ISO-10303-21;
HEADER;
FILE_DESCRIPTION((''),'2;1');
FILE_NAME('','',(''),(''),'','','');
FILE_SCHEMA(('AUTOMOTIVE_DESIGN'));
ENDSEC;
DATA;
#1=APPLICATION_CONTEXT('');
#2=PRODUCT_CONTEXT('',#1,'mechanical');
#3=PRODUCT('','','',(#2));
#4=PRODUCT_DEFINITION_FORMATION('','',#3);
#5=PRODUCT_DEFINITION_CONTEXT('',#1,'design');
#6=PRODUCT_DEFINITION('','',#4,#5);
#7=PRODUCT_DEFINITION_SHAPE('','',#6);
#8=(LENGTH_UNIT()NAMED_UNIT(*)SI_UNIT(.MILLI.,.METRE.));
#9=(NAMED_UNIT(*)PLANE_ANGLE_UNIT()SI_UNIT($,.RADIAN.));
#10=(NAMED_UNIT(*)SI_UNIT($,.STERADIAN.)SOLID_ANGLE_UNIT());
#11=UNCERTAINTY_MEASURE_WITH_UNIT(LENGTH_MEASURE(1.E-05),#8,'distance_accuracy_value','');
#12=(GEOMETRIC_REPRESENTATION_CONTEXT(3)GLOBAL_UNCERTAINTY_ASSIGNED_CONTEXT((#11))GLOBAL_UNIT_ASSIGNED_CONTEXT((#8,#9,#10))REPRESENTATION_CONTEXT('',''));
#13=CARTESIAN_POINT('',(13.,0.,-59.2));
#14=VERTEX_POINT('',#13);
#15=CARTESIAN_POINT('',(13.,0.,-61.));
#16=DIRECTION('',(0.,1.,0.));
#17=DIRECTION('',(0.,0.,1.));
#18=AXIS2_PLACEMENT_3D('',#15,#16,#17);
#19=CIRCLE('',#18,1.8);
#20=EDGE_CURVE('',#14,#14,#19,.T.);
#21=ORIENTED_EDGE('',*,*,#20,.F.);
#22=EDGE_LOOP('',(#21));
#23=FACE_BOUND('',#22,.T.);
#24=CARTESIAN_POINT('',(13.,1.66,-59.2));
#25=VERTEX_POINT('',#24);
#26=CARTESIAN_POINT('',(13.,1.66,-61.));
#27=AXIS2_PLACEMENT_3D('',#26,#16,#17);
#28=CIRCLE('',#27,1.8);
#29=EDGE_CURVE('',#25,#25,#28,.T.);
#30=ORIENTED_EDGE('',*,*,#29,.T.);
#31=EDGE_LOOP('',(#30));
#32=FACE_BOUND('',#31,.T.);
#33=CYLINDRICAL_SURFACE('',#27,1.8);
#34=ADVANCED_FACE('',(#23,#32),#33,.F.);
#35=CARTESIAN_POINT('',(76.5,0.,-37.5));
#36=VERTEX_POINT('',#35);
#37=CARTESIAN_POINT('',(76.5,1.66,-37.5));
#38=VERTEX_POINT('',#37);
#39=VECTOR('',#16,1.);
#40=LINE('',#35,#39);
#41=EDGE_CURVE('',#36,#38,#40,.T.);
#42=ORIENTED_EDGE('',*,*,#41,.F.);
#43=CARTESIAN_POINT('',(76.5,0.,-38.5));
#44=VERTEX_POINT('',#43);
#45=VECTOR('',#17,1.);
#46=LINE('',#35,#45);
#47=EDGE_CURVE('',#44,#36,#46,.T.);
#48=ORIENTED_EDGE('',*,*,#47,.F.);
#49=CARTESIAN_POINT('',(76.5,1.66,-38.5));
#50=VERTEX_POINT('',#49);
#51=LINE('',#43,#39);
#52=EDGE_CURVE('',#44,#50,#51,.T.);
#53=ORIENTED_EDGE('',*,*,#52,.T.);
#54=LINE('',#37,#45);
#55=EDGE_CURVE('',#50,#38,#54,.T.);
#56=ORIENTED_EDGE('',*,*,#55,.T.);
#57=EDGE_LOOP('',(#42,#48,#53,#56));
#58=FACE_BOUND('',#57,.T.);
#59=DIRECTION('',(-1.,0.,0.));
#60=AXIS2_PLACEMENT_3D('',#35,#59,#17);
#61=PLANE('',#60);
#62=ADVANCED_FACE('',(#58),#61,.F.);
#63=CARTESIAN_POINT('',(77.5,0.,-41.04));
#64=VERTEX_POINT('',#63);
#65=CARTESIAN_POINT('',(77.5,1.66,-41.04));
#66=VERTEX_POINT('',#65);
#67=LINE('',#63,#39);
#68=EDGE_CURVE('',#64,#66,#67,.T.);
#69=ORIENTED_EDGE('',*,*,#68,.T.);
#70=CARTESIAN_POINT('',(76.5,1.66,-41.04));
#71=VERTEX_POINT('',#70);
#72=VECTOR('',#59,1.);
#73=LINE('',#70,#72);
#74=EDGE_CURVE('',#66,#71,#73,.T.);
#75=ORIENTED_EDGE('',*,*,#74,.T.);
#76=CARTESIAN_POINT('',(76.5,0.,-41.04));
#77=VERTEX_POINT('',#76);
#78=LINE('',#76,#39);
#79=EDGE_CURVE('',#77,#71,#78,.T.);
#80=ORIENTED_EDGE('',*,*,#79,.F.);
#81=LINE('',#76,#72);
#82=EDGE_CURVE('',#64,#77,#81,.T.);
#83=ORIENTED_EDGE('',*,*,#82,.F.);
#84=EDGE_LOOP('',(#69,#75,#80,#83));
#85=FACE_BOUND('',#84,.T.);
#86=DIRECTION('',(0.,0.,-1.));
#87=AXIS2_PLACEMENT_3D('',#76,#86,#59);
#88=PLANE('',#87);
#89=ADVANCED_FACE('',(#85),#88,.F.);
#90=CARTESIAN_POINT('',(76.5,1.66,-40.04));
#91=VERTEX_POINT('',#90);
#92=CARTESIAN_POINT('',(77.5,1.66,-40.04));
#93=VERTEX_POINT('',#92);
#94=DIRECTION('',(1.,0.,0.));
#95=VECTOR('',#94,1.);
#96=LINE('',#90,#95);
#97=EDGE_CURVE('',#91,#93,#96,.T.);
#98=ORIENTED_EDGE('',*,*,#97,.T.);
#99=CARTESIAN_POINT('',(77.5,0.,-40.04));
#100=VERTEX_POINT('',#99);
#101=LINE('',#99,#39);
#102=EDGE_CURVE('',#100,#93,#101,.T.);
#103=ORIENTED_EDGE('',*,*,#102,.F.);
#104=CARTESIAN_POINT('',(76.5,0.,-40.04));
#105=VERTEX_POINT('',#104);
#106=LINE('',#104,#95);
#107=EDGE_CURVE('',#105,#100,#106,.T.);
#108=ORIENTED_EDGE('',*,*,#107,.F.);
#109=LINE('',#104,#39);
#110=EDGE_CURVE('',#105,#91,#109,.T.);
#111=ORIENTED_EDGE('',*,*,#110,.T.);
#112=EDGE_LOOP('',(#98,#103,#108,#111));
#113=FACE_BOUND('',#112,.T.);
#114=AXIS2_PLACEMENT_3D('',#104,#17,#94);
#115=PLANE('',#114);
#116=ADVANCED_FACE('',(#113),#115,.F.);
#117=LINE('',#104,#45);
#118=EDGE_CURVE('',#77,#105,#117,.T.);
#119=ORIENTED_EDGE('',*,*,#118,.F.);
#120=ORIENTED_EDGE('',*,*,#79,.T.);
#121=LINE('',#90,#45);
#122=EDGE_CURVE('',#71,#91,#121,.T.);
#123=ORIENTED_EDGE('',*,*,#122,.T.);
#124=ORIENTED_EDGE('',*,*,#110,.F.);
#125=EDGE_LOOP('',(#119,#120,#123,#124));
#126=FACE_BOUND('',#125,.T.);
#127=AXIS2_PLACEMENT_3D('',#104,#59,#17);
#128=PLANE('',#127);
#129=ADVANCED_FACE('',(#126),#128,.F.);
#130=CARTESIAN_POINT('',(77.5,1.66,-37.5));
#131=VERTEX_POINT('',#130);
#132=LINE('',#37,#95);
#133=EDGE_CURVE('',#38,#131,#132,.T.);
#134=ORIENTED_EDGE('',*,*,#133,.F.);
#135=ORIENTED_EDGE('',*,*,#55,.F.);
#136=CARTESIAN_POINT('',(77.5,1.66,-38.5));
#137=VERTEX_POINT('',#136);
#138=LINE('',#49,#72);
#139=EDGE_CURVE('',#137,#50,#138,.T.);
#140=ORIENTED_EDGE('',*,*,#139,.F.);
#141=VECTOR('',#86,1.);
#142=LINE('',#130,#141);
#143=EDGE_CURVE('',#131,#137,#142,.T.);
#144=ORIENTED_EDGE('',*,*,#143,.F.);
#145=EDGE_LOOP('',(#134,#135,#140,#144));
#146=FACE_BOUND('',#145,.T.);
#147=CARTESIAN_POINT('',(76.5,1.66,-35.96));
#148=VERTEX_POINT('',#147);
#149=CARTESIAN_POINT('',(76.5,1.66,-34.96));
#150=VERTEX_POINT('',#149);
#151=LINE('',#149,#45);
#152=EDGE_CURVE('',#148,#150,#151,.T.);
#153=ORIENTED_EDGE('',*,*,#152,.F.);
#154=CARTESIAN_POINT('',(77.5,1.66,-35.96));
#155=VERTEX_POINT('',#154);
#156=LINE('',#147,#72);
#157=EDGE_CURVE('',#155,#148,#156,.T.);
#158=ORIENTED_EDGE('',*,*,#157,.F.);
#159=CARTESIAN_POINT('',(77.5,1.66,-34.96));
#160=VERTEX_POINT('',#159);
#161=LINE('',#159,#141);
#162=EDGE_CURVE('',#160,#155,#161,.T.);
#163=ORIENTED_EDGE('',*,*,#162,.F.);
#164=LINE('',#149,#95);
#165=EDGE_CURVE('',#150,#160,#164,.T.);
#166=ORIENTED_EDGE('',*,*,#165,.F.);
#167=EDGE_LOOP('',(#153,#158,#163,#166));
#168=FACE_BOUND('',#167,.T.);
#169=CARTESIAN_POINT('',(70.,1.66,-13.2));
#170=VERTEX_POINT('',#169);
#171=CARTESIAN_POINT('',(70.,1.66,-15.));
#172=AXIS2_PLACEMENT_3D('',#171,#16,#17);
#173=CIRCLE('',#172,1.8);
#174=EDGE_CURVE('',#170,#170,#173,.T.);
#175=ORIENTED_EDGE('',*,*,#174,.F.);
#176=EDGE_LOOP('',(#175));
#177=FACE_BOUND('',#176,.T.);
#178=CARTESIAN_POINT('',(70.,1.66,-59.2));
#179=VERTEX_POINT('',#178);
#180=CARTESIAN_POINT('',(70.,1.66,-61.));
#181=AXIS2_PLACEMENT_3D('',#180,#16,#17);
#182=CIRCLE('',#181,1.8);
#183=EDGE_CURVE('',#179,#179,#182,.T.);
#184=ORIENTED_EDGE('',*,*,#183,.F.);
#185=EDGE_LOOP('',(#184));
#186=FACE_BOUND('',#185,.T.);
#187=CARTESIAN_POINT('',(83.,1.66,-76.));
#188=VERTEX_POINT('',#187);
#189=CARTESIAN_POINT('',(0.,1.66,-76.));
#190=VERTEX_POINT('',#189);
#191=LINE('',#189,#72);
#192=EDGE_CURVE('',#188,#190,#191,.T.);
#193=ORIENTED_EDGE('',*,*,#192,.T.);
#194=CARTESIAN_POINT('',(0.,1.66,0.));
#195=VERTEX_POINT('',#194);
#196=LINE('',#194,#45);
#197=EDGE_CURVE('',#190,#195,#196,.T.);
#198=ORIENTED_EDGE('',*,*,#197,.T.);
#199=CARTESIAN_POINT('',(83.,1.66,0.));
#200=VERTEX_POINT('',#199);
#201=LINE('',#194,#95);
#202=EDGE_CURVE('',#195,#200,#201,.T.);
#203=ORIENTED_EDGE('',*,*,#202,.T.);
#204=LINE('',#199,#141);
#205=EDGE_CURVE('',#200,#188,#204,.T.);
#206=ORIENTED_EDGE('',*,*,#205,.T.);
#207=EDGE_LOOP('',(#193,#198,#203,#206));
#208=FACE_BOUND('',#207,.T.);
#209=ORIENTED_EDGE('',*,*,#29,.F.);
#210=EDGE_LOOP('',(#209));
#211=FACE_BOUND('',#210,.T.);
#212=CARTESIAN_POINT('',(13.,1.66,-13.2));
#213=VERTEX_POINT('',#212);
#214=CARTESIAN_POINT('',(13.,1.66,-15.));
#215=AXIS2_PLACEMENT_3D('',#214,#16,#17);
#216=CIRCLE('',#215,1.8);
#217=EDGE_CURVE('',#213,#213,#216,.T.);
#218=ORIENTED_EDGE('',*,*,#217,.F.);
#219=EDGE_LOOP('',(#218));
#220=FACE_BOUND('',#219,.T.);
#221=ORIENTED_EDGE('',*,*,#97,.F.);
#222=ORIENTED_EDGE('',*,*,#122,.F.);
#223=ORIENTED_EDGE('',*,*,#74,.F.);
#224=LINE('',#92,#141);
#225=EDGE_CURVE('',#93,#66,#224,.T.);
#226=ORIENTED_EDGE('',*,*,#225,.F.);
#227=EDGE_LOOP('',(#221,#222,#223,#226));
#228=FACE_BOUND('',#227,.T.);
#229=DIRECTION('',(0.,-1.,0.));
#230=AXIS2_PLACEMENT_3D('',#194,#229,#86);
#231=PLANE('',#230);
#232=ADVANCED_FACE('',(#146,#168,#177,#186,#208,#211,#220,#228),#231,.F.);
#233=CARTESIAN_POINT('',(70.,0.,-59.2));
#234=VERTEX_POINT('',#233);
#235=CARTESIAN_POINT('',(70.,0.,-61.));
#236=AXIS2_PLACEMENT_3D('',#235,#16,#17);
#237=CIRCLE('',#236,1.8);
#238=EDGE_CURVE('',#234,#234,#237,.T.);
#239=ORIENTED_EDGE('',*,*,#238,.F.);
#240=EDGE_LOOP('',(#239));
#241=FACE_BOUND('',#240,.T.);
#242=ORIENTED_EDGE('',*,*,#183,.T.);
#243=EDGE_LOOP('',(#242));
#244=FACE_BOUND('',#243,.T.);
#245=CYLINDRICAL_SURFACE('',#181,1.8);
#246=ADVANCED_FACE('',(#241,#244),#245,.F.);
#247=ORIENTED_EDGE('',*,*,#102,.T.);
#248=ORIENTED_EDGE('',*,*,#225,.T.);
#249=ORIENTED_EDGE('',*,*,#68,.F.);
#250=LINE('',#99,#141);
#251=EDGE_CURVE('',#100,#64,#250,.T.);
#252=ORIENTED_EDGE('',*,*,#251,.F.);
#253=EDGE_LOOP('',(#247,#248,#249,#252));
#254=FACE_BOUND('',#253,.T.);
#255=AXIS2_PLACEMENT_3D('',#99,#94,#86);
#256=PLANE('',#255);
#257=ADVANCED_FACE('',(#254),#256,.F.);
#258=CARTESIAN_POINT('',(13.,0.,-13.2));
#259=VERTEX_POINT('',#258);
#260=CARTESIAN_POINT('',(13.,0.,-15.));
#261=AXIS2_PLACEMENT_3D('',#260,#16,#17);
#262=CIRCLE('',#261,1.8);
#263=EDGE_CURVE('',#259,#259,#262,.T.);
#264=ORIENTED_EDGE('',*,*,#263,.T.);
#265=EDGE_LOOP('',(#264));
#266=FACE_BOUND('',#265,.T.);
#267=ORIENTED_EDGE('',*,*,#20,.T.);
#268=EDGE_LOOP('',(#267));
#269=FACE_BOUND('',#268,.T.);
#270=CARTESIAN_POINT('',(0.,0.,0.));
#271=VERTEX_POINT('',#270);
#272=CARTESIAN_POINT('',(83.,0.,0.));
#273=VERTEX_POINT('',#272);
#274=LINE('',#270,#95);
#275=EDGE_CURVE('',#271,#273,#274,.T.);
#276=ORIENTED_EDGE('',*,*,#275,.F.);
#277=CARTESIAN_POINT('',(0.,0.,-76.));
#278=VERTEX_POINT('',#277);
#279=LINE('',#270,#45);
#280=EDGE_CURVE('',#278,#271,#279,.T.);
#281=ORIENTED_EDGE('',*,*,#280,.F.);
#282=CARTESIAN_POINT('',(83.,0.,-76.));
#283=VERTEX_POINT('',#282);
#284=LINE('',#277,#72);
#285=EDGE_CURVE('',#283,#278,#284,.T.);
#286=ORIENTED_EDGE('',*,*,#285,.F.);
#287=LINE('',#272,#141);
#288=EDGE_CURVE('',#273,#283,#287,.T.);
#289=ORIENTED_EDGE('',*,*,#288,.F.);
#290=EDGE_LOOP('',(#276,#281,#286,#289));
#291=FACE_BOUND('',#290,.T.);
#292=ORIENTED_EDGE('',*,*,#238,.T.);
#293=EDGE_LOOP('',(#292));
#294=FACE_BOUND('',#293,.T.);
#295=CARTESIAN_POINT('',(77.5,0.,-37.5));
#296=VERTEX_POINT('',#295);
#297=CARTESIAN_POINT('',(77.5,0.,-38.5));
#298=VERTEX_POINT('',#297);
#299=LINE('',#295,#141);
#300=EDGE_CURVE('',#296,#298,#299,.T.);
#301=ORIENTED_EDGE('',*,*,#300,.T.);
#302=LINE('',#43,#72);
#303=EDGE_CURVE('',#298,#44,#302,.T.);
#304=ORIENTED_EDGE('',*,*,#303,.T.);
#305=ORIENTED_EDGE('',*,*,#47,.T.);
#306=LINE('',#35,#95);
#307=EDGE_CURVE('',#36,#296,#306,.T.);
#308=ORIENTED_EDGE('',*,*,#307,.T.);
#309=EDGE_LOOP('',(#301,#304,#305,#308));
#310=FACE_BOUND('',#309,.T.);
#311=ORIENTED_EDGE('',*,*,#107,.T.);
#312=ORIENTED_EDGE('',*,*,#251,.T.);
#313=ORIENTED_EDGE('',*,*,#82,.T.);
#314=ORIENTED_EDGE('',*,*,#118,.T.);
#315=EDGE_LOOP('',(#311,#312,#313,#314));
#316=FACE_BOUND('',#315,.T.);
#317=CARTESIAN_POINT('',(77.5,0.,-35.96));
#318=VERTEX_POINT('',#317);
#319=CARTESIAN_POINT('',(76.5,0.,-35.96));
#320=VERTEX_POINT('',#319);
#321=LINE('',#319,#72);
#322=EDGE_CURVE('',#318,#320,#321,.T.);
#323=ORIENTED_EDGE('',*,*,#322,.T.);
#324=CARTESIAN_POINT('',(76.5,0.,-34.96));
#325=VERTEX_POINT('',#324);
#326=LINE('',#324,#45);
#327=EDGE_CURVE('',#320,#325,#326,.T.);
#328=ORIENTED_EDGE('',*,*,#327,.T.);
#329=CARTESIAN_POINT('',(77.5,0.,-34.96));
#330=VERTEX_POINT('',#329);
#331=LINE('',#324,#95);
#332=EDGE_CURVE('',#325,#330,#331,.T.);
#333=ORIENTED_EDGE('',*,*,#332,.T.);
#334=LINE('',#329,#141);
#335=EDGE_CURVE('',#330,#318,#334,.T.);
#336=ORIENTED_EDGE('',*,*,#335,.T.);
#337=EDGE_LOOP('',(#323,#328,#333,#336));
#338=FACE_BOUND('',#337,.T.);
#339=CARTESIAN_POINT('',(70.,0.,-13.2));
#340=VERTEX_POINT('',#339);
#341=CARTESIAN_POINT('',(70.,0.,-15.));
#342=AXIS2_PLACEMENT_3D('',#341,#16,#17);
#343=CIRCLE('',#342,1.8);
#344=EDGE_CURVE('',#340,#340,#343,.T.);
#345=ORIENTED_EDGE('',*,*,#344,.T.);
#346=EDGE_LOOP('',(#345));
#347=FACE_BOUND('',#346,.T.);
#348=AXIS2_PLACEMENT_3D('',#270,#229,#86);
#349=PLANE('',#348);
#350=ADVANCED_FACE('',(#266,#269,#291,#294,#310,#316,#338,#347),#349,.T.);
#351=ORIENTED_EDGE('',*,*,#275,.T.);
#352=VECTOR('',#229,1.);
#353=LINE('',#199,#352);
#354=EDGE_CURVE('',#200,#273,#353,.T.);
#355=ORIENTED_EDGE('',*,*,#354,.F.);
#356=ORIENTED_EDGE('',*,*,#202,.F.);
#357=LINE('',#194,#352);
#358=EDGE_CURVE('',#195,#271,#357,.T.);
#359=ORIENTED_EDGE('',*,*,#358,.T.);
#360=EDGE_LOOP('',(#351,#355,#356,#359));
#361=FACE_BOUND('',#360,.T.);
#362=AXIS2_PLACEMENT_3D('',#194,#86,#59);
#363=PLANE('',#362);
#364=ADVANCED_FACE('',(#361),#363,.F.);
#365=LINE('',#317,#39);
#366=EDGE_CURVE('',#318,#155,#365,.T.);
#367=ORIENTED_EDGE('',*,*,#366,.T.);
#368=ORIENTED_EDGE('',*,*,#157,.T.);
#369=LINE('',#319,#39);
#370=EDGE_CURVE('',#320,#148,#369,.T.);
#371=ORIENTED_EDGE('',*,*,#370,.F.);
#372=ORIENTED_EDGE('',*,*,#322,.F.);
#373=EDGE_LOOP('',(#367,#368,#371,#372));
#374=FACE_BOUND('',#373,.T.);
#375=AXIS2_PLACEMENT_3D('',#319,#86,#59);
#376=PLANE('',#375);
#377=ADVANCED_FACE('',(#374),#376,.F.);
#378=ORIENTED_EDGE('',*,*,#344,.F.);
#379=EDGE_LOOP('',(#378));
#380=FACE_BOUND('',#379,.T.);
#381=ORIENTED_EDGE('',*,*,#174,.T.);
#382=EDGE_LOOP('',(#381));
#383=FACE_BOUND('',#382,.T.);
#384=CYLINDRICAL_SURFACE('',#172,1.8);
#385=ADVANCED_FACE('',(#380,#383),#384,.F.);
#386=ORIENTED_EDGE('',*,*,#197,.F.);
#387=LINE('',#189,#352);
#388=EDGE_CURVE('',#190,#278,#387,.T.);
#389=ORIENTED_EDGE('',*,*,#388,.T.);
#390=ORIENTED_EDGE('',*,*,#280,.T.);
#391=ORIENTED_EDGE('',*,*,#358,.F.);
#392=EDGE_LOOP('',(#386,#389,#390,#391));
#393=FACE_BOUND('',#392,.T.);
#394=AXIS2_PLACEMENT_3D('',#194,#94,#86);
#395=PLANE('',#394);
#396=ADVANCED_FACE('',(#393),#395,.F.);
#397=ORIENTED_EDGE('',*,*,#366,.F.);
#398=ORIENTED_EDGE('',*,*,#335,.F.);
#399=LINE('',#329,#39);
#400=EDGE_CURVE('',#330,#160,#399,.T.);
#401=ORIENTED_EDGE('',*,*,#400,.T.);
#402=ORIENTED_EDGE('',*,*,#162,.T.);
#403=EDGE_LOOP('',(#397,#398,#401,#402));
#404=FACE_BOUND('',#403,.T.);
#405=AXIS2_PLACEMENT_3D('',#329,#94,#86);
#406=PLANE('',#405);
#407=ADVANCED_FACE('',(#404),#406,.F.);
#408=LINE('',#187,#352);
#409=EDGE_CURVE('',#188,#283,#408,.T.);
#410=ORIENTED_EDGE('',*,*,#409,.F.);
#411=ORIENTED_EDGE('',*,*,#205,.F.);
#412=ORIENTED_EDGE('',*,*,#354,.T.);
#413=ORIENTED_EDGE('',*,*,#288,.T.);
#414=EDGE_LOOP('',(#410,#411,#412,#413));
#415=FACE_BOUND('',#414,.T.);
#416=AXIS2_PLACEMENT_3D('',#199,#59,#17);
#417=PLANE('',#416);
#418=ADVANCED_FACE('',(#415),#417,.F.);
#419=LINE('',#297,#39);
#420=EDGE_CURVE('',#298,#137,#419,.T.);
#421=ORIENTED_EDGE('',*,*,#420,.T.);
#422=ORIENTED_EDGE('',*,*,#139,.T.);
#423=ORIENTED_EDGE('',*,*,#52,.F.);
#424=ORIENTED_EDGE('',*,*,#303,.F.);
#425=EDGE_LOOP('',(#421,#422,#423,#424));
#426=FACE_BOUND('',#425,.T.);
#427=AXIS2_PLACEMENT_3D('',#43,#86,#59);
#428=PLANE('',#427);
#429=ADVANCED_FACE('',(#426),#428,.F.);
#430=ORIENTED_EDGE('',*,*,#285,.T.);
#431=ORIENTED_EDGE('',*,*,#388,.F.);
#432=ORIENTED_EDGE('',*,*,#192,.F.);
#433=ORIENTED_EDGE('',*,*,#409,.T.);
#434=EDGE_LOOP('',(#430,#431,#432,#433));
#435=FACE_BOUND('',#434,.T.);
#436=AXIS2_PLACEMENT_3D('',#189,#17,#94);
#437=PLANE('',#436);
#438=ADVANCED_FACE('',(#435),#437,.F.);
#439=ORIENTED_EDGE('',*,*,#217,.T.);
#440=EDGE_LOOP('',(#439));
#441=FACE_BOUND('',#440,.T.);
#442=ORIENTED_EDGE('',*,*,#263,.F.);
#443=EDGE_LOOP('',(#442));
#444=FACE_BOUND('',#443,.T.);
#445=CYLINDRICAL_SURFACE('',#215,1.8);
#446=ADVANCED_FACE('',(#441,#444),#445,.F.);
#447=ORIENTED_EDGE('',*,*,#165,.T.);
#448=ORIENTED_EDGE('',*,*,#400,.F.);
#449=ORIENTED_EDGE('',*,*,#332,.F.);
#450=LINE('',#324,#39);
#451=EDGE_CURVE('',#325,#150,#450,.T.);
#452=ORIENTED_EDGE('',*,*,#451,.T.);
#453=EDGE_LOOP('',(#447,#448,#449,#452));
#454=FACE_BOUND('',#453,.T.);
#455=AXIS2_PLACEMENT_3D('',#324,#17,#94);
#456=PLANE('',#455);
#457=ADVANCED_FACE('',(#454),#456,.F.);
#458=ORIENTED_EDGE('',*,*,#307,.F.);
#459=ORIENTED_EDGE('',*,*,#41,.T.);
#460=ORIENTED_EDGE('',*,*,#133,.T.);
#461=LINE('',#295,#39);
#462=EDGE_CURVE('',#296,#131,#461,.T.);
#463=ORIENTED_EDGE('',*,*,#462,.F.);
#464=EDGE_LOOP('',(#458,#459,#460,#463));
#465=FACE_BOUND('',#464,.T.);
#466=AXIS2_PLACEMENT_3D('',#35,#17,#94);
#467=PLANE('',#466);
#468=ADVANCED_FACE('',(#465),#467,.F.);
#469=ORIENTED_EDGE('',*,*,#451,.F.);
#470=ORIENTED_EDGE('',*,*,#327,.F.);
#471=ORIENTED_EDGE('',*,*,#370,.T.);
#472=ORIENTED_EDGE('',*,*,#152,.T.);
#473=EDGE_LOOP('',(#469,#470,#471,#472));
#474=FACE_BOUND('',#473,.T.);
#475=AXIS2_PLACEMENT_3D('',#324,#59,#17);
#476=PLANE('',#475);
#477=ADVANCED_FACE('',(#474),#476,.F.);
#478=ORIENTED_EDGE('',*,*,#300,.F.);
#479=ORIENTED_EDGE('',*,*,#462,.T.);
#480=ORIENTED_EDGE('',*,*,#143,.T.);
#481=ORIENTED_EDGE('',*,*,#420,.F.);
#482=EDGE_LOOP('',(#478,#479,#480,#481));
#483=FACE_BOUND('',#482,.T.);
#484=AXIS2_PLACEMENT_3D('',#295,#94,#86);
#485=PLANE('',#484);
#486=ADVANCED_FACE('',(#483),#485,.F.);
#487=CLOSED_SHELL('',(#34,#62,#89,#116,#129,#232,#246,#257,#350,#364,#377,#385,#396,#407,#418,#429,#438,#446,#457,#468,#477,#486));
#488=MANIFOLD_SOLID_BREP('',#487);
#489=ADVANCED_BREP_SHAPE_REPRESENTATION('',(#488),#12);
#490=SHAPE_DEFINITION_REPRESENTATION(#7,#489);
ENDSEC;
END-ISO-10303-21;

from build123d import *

# Parameters (mm, degrees)
SKETCH2_W            = 83
SKETCH2_H            = 76
BOSS_EXTRUDE1_DEPTH  = 1.66
SKETCH3_W            = 1
SKETCH3_H            = 1
CUT_EXTRUDE1_DEPTH   = 113.551124384
M3_CLEARANCE_HOLE2_D = 3.6


with BuildPart() as part:
    # Sketch2 → Boss-Extrude1 (new body)
    with BuildSketch(Plane(origin=(0, 0, 0), x_dir=(1, 0, 0), z_dir=(0, 1, 0))):
        with Locations((41.5, 38)):
            Rectangle(SKETCH2_W, SKETCH2_H)
    extrude(amount=BOSS_EXTRUDE1_DEPTH)

    # Sketch3 → Cut-Extrude1 (cut, through all)
    with BuildSketch(Plane(origin=(0, 1.66, 0), x_dir=(1, 0, 0), z_dir=(0, 1, 0))):
        with Locations((77, 38)):
            Rectangle(SKETCH3_W, SKETCH3_H)
        with Locations((77, 40.54)):
            Rectangle(SKETCH3_W, SKETCH3_H)
        with Locations((77, 35.46)):
            Rectangle(SKETCH3_W, SKETCH3_H)
    extrude(amount=-CUT_EXTRUDE1_DEPTH, mode=Mode.SUBTRACT)

    # M3 Clearance Hole2 (through all)
    with Locations(Plane(origin=(0, 1.66, 0), x_dir=(1, 0, 0), z_dir=(0, 1, 0))):
        with Locations((13, 61), (70, 61), (70, 15), (13, 15)):
            Hole(M3_CLEARANCE_HOLE2_D / 2)


solid = part.part
